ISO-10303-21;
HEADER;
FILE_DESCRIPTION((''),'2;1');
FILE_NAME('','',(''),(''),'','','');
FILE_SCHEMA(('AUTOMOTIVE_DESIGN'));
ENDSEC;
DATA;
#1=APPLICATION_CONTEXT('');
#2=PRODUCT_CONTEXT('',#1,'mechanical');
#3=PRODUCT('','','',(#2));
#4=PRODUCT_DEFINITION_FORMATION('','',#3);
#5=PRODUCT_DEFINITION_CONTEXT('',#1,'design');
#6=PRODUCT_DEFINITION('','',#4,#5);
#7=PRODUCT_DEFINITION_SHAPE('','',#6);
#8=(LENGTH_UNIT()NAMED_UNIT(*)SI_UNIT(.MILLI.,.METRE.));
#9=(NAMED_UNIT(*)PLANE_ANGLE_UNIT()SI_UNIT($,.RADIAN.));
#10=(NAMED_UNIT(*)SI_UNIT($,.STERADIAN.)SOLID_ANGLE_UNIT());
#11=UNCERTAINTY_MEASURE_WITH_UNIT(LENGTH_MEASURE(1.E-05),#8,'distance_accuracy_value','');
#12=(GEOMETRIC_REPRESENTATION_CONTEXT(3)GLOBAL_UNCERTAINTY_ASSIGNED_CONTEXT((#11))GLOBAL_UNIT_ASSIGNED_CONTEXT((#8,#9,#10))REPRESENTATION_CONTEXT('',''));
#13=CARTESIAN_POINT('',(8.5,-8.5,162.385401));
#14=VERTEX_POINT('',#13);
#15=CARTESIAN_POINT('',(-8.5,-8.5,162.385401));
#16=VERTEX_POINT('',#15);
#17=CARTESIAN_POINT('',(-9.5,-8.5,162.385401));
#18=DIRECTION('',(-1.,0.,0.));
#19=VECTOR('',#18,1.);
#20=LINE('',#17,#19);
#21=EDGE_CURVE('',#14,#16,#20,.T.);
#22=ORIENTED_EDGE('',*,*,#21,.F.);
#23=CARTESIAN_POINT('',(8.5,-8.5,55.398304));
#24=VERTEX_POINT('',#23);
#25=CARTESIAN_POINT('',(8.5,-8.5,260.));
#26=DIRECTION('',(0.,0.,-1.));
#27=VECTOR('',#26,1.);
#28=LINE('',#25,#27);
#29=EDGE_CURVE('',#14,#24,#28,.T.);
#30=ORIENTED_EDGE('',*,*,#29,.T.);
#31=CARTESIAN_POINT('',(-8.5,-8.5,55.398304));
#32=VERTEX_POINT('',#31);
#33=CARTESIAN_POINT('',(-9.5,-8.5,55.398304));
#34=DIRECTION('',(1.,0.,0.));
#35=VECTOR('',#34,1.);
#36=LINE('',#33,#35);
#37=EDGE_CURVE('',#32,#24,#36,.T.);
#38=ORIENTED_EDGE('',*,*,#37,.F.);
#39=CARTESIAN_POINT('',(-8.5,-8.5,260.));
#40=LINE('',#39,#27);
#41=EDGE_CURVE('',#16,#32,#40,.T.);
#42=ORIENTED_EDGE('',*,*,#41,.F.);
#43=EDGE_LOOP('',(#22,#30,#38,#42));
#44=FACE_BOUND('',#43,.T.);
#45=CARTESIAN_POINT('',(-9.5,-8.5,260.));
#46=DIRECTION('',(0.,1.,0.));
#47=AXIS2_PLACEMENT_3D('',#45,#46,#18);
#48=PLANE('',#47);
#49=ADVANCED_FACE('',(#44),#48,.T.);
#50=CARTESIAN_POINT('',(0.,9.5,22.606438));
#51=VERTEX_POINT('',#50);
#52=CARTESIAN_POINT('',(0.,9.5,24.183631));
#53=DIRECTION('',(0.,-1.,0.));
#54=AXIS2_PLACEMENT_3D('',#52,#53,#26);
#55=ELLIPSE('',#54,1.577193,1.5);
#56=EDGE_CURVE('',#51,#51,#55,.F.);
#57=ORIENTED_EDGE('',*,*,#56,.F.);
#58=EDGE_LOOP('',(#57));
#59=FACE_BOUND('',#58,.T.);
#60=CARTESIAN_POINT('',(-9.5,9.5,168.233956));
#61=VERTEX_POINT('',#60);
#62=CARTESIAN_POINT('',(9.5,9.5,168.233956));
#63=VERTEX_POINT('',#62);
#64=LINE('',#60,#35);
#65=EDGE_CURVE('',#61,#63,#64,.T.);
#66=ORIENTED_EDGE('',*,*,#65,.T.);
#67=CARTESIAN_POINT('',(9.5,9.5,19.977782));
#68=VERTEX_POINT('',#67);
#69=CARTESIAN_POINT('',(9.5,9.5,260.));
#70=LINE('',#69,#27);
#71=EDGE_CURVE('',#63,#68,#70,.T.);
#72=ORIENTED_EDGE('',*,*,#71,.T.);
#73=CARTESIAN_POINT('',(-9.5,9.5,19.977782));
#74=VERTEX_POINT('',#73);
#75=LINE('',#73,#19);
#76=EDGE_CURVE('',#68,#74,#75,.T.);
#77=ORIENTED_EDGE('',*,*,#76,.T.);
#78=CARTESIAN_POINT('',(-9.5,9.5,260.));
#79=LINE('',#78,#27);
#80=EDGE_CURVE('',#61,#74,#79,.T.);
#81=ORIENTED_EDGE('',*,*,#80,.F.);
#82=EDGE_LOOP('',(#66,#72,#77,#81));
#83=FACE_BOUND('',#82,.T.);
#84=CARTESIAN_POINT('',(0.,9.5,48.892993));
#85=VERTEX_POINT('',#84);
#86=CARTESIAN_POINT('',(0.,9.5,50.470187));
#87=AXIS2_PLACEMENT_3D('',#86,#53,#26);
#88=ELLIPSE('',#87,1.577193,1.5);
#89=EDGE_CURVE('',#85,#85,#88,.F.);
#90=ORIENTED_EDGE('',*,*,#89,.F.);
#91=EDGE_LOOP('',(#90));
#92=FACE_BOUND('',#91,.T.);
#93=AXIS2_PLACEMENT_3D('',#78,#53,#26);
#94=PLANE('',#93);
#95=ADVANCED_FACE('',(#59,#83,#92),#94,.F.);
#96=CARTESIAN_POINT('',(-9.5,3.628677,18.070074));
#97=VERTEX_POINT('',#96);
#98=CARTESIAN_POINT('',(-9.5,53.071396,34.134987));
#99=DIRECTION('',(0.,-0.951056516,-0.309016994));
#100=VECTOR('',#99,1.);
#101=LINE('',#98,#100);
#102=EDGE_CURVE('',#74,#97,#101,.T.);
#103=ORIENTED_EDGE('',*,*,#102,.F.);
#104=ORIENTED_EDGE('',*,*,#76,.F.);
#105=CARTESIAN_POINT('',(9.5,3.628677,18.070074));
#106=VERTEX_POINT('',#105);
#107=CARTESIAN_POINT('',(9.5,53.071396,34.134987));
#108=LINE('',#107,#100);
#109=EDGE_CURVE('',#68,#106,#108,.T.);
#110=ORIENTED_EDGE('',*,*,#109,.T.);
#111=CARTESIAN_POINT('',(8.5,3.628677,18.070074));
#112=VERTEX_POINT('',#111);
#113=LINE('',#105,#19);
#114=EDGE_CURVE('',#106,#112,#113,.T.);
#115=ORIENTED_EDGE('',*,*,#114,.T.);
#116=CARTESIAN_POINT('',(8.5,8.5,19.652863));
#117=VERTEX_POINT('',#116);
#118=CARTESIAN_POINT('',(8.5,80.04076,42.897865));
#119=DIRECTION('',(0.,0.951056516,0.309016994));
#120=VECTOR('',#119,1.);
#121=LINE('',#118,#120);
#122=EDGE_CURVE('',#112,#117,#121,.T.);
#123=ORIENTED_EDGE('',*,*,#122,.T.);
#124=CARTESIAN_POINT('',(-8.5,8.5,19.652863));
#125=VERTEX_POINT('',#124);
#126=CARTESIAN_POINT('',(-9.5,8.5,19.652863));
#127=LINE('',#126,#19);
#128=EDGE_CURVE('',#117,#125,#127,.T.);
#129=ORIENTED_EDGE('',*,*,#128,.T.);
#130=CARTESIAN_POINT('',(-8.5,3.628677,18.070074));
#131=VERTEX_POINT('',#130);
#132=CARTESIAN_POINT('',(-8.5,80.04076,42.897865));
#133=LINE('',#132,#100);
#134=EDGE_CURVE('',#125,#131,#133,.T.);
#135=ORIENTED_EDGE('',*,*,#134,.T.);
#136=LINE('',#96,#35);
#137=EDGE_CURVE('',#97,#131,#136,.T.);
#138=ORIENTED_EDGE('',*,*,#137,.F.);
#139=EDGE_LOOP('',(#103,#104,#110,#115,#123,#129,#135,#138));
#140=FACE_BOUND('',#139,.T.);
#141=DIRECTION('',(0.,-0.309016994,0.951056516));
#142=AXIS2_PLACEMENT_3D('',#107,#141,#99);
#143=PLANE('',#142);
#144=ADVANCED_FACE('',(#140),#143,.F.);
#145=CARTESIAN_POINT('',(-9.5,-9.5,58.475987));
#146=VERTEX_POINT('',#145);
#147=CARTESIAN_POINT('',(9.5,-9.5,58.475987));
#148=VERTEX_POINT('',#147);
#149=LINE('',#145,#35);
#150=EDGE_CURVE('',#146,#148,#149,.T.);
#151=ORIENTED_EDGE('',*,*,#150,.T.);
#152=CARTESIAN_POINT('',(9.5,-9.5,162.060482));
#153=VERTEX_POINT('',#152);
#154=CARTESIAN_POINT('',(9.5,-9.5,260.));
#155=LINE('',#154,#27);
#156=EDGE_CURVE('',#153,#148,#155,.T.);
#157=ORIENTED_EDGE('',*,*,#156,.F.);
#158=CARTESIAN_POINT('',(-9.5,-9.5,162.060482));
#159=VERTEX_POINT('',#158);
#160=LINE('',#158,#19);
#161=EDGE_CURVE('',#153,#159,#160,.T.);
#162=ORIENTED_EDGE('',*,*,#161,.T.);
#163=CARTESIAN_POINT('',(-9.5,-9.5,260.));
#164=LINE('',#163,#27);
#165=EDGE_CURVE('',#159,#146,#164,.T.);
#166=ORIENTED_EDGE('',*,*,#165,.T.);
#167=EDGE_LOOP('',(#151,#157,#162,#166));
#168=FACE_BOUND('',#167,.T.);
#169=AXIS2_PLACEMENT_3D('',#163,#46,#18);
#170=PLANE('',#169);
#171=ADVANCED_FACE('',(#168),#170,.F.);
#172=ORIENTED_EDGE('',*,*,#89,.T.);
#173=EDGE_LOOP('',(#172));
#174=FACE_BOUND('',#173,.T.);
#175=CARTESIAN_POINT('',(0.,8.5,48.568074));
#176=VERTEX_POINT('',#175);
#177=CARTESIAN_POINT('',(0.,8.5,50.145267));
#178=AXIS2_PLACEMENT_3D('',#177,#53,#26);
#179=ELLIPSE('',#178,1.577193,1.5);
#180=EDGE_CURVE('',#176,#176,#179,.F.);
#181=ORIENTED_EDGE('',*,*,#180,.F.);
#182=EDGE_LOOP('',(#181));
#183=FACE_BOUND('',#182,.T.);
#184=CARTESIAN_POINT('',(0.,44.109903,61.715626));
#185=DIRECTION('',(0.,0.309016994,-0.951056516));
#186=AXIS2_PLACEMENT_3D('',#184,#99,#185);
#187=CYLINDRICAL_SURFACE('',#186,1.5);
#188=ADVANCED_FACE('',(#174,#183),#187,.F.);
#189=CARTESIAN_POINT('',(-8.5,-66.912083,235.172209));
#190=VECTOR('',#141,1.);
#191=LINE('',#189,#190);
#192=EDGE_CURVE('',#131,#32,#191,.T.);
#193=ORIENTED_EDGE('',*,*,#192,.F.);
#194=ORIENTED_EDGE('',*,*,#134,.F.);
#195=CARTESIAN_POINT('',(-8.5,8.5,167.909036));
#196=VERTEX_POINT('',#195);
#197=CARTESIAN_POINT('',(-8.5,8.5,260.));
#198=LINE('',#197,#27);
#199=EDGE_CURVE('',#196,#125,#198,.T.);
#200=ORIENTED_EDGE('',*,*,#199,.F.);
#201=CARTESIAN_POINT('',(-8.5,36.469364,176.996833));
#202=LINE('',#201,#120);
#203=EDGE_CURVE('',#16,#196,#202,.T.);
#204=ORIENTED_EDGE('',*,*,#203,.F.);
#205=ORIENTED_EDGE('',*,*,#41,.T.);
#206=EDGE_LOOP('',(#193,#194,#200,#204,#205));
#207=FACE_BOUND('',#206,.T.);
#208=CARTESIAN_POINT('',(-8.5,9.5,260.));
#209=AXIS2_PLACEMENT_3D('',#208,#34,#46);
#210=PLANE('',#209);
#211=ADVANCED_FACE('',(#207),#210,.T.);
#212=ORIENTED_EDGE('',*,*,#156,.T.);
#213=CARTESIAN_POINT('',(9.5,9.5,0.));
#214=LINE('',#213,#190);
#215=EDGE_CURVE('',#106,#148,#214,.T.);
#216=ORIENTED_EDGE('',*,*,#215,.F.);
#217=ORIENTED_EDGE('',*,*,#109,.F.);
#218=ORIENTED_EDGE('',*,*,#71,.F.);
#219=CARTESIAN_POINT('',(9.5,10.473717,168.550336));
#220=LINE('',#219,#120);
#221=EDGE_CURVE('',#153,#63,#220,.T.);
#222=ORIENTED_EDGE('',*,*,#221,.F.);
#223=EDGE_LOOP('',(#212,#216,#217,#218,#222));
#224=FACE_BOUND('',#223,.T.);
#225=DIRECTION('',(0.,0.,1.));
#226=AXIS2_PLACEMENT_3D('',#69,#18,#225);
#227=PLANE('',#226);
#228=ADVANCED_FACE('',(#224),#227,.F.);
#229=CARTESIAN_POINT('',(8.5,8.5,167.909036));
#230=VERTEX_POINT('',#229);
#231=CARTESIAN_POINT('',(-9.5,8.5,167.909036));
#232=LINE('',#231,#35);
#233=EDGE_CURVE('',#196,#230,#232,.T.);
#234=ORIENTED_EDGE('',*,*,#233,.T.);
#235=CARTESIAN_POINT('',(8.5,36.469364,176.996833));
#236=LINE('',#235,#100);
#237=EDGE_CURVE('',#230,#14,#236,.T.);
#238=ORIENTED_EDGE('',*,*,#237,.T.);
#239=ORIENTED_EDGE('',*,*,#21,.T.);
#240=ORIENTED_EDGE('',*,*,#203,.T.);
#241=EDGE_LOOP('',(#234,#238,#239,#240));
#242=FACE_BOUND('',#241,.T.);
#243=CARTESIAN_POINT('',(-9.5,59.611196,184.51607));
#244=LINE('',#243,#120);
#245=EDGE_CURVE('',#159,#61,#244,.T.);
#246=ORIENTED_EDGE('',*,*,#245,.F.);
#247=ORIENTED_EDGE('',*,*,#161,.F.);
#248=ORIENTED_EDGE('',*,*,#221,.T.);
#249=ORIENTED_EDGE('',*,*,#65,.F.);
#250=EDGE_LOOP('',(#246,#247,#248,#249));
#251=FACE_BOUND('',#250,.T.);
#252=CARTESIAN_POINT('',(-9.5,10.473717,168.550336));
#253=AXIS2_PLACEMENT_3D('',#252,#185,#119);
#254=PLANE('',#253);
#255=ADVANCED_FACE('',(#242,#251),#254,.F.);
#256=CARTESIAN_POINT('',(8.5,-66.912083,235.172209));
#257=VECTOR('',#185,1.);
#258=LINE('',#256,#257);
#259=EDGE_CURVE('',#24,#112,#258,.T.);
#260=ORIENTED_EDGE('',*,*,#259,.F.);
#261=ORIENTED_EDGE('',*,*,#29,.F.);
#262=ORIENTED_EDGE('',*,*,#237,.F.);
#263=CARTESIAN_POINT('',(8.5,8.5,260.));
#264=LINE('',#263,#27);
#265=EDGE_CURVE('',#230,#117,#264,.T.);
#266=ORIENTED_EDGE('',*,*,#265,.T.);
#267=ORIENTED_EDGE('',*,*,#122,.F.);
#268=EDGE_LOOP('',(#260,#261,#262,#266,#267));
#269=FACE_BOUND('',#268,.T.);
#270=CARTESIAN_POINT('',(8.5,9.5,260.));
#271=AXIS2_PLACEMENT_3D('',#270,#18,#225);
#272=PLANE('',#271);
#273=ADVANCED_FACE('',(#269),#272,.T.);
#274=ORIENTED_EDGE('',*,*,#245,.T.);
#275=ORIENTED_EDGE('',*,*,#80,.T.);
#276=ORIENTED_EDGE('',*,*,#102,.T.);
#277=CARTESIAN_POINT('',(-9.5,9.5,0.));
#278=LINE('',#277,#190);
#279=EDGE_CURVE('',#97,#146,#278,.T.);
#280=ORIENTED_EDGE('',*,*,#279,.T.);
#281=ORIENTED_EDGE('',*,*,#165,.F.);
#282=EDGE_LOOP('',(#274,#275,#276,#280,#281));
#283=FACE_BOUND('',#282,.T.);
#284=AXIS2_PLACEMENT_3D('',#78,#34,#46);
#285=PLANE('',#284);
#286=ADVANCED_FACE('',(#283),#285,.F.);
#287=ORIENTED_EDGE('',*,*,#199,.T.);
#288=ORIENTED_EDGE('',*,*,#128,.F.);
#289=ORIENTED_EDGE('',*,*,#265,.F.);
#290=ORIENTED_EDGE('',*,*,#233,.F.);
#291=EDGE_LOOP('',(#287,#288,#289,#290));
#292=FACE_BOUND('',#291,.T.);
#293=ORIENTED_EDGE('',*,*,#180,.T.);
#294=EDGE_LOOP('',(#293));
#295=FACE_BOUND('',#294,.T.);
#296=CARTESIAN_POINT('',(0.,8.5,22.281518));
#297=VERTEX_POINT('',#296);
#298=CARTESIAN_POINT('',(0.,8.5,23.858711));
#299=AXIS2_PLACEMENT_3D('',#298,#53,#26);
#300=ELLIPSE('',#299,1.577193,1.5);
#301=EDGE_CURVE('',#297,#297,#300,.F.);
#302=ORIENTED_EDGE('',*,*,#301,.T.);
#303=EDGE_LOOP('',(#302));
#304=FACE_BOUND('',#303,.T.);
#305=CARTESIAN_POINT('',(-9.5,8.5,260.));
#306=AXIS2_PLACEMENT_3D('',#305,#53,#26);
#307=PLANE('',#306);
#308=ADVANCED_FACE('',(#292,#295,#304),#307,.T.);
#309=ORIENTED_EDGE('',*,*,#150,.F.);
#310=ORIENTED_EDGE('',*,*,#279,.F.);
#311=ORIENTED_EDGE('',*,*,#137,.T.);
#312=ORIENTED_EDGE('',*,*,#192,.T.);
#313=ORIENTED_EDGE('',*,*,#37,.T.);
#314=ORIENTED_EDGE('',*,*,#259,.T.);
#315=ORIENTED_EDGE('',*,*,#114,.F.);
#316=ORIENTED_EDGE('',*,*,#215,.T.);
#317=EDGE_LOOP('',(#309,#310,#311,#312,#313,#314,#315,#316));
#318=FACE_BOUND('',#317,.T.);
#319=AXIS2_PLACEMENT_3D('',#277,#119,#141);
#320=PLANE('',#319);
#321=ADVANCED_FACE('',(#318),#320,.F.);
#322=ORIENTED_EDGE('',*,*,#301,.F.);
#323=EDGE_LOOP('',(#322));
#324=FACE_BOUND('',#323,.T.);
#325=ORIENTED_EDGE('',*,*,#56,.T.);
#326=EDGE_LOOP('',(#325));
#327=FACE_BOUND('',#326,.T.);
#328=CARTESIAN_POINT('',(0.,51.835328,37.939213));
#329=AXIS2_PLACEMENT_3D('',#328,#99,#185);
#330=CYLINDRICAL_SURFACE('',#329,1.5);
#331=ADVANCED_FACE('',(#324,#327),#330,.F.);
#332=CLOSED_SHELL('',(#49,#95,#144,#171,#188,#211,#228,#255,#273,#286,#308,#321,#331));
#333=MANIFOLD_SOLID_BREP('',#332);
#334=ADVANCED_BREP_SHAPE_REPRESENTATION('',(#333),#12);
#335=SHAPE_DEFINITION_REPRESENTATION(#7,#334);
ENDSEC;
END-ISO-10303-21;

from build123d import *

# Parameters (mm, degrees)
ESBO_O1_W                = 19
ESBO_O1_H                = 19
RESSALTO_EXTRUS_O1_DEPTH = 260
CASCA2_T                 = -1
CORTE_EXTRUS_O1_DEPTH    = 20
CORTE_EXTRUS_O3_DEPTH    = 20
ESBO_O5_R                = 1.5
CORTE_EXTRUS_O4_DEPTH    = 52.987151397
ESBO_O7_W                = 19
ESBO_O7_H                = 19
CORTE_EXTRUS_O6_DEPTH    = 52.987151397


with BuildPart() as part:
    # Esboço1 → Ressalto-extrusão1 (new body)
    with BuildSketch(Plane.XY):
        Rectangle(ESBO_O1_W, ESBO_O1_H)
    extrude(amount=RESSALTO_EXTRUS_O1_DEPTH)

    # Casca2
    casca2_openings = [part.faces().sort_by_distance(p)[0] for p in [
        (0, 0, 260),
        (0, 0, 0),
    ]]
    offset(amount=CASCA2_T, openings=casca2_openings, kind=Kind.INTERSECTION)

    # Esboço2 → Corte-extrusão1 (cut, through all)
    with BuildSketch(Plane(origin=(9.5, 0, 0), x_dir=(0, 0, -1), z_dir=(1, 0, 0))):
        Polygon((0, 9.5), (-58.475987206, -9.5), (0, -9.5), align=None)
    extrude(amount=-CORTE_EXTRUS_O1_DEPTH, mode=Mode.SUBTRACT)

    # Esboço4 → Corte-extrusão3 (cut, through all)
    with BuildSketch(Plane(origin=(9.5, 0, 0), x_dir=(0, 0, -1), z_dir=(1, 0, 0))):
        Polygon((-168.550335734, 10.473717073), (-161.289503816, -11.872825786), (-264.812755879, -45.509569399), (-289.05777752, 22.149749677), (-184.516070462, 59.611196004), align=None)
    extrude(amount=-CORTE_EXTRUS_O3_DEPTH, mode=Mode.SUBTRACT)

    # Esboço5 → Corte-extrusão4 (cut, through all)
    with BuildSketch(Plane(origin=(0, 9.5, 0), x_dir=(1, 0, 0), z_dir=(0, 0.951056516, 0.309016994))):
        with Locations((0, -23)):
            Circle(ESBO_O5_R)
        with Locations((0, -48)):
            Circle(ESBO_O5_R)
    extrude(amount=CORTE_EXTRUS_O4_DEPTH, mode=Mode.SUBTRACT)

    # Esboço7 → Corte-extrusão6 (cut, through all)
    with BuildSketch(Plane(origin=(0, 8.592830723, 2.791979948), x_dir=(1, 0, 0), z_dir=(0, -0.951056516, -0.309016994))):
        with Locations((0, 6.564338553)):
            Rectangle(ESBO_O7_W, ESBO_O7_H)
    extrude(amount=-CORTE_EXTRUS_O6_DEPTH, mode=Mode.SUBTRACT)


solid = part.part
